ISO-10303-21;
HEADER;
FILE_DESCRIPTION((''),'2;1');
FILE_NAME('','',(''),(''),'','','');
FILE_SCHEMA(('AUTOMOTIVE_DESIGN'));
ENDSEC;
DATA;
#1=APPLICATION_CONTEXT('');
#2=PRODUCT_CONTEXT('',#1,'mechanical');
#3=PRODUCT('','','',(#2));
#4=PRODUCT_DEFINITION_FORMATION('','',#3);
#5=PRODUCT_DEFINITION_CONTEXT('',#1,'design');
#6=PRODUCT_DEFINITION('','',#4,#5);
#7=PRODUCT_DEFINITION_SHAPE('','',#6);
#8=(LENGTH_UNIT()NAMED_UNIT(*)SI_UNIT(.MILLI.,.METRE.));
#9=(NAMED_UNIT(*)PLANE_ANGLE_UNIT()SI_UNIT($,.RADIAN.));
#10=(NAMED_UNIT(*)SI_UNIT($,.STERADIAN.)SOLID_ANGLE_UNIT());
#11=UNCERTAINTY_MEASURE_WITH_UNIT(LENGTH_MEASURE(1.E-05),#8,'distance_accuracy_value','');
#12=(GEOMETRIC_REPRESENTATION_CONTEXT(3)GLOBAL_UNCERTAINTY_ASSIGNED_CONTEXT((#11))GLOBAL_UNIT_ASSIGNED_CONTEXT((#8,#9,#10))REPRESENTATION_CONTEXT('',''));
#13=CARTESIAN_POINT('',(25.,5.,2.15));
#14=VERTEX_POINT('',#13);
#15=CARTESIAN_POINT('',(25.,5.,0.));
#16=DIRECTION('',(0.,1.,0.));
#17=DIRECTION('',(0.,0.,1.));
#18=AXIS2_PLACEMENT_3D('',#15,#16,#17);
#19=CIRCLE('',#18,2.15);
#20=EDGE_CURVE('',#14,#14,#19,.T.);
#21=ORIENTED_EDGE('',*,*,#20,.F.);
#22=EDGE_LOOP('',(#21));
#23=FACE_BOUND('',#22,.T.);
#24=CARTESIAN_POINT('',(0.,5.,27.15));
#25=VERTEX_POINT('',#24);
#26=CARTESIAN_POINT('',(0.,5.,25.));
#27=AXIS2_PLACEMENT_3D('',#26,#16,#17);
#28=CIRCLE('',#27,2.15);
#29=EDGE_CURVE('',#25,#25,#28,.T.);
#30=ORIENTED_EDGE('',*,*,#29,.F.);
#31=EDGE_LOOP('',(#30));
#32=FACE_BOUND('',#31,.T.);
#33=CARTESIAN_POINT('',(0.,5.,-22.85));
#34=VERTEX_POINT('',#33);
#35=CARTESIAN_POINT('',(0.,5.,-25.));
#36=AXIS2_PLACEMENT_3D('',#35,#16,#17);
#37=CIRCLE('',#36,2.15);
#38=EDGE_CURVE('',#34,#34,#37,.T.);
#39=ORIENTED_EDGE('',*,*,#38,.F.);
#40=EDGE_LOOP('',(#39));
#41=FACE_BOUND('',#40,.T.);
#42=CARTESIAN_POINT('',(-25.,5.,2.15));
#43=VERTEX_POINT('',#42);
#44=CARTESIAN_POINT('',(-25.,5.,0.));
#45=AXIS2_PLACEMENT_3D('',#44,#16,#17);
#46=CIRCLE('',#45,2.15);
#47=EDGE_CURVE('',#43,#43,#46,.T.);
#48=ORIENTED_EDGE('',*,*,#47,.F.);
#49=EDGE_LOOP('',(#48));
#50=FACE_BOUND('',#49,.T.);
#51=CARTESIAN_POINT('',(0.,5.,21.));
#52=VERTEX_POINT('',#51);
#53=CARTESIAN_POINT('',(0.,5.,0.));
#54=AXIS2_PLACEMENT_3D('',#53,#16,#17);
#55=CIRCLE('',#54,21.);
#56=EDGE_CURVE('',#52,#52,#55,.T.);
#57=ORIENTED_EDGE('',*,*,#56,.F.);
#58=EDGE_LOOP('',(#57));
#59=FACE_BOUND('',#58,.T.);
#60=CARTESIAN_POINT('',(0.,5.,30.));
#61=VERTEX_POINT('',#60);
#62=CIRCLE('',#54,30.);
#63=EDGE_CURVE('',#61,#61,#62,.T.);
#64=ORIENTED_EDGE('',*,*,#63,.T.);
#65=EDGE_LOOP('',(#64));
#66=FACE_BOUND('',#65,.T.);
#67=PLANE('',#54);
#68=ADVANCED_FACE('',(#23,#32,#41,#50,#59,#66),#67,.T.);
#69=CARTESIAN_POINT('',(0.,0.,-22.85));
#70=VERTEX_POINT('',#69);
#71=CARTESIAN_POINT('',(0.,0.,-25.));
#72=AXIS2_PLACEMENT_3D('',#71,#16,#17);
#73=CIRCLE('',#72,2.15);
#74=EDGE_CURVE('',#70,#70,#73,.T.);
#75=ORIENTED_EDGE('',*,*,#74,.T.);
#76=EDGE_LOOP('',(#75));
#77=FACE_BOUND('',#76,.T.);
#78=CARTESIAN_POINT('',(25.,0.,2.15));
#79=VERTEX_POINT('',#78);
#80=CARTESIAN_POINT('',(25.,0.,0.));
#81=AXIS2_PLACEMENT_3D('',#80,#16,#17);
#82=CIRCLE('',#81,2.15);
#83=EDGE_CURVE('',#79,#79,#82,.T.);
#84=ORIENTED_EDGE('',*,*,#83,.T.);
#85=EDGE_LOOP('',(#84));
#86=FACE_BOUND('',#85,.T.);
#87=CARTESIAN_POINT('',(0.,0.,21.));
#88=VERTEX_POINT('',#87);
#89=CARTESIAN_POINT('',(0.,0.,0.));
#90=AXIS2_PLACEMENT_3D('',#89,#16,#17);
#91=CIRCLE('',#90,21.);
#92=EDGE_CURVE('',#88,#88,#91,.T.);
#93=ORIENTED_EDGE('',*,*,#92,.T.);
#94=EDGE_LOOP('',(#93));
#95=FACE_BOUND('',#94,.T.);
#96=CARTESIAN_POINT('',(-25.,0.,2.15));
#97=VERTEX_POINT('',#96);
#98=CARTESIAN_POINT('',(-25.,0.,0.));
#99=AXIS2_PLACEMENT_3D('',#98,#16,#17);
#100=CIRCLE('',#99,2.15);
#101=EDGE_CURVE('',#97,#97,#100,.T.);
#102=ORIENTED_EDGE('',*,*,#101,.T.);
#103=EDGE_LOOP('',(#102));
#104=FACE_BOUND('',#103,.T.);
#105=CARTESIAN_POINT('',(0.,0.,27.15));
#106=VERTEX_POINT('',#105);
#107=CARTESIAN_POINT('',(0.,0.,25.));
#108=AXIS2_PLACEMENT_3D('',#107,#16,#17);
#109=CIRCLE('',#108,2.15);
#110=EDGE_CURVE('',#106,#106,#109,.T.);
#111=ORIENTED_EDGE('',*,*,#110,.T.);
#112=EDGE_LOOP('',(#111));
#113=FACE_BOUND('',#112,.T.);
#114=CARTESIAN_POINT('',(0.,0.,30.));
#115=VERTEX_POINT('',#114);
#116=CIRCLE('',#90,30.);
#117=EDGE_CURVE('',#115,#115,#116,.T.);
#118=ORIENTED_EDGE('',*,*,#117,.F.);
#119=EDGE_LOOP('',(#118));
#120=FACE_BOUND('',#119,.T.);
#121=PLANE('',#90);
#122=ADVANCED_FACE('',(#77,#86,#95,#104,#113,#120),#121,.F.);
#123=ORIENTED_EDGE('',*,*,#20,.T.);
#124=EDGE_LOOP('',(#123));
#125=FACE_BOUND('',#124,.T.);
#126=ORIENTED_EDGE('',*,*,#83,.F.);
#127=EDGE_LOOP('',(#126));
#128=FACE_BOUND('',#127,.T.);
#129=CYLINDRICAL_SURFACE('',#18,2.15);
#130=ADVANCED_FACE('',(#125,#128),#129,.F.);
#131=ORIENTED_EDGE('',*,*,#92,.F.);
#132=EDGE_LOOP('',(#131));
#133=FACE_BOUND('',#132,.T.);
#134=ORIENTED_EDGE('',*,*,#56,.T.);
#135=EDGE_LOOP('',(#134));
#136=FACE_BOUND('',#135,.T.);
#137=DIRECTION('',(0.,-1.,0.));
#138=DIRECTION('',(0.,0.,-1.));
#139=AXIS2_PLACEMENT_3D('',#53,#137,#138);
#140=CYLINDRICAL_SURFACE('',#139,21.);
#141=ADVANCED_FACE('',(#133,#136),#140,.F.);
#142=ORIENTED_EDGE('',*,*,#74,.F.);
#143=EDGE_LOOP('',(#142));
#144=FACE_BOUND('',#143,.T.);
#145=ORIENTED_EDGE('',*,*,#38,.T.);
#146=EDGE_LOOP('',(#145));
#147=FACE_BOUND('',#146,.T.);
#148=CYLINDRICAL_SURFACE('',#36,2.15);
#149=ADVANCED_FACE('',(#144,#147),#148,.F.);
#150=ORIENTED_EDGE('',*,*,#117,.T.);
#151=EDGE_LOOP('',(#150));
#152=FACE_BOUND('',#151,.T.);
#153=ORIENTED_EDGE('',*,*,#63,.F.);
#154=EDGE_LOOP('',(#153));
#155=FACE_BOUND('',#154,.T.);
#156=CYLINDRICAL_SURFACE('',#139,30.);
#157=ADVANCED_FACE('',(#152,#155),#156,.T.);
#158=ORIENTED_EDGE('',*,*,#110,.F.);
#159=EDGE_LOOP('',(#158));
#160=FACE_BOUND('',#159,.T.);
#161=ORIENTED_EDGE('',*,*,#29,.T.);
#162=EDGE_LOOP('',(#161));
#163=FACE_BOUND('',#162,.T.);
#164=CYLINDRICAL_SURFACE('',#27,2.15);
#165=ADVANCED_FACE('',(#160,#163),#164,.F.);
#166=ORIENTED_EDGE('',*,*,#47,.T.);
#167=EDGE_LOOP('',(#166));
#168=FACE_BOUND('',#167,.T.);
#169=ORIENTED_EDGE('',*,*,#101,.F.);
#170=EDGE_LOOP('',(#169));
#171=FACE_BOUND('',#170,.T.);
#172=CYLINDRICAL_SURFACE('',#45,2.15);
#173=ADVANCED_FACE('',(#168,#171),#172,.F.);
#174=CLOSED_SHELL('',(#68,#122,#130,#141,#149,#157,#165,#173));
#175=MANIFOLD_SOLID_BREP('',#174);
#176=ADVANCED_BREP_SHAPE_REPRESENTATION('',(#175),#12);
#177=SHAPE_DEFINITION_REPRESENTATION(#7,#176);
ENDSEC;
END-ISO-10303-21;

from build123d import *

# Parameters (mm, degrees)
SKETCH1_R            = 30
SKETCH1_R_2          = 21
BOSS_EXTRUDE1_DEPTH  = 5
M4_CLEARANCE_HOLE1_D = 4.3


with BuildPart() as part:
    # Sketch1 → Boss-Extrude1 (new body)
    with BuildSketch(Plane(origin=(0, 0, 0), x_dir=(1, 0, 0), z_dir=(0, 1, 0))):
        with Locations(Location((0, 0, 0), (0, 0, 270))):
            Circle(SKETCH1_R)
        with Locations(Location((0, 0, 0), (0, 0, 270))):
            Circle(SKETCH1_R_2, mode=Mode.SUBTRACT)
    extrude(amount=BOSS_EXTRUDE1_DEPTH)

    # M4 Clearance Hole1 (through all)
    with Locations(Plane(origin=(0, 5, 0), x_dir=(1, 0, 0), z_dir=(0, 1, 0))):
        with Locations((0, -25), (0, 25), (25, 0), (-25, 0)):
            Hole(M4_CLEARANCE_HOLE1_D / 2)


solid = part.part
